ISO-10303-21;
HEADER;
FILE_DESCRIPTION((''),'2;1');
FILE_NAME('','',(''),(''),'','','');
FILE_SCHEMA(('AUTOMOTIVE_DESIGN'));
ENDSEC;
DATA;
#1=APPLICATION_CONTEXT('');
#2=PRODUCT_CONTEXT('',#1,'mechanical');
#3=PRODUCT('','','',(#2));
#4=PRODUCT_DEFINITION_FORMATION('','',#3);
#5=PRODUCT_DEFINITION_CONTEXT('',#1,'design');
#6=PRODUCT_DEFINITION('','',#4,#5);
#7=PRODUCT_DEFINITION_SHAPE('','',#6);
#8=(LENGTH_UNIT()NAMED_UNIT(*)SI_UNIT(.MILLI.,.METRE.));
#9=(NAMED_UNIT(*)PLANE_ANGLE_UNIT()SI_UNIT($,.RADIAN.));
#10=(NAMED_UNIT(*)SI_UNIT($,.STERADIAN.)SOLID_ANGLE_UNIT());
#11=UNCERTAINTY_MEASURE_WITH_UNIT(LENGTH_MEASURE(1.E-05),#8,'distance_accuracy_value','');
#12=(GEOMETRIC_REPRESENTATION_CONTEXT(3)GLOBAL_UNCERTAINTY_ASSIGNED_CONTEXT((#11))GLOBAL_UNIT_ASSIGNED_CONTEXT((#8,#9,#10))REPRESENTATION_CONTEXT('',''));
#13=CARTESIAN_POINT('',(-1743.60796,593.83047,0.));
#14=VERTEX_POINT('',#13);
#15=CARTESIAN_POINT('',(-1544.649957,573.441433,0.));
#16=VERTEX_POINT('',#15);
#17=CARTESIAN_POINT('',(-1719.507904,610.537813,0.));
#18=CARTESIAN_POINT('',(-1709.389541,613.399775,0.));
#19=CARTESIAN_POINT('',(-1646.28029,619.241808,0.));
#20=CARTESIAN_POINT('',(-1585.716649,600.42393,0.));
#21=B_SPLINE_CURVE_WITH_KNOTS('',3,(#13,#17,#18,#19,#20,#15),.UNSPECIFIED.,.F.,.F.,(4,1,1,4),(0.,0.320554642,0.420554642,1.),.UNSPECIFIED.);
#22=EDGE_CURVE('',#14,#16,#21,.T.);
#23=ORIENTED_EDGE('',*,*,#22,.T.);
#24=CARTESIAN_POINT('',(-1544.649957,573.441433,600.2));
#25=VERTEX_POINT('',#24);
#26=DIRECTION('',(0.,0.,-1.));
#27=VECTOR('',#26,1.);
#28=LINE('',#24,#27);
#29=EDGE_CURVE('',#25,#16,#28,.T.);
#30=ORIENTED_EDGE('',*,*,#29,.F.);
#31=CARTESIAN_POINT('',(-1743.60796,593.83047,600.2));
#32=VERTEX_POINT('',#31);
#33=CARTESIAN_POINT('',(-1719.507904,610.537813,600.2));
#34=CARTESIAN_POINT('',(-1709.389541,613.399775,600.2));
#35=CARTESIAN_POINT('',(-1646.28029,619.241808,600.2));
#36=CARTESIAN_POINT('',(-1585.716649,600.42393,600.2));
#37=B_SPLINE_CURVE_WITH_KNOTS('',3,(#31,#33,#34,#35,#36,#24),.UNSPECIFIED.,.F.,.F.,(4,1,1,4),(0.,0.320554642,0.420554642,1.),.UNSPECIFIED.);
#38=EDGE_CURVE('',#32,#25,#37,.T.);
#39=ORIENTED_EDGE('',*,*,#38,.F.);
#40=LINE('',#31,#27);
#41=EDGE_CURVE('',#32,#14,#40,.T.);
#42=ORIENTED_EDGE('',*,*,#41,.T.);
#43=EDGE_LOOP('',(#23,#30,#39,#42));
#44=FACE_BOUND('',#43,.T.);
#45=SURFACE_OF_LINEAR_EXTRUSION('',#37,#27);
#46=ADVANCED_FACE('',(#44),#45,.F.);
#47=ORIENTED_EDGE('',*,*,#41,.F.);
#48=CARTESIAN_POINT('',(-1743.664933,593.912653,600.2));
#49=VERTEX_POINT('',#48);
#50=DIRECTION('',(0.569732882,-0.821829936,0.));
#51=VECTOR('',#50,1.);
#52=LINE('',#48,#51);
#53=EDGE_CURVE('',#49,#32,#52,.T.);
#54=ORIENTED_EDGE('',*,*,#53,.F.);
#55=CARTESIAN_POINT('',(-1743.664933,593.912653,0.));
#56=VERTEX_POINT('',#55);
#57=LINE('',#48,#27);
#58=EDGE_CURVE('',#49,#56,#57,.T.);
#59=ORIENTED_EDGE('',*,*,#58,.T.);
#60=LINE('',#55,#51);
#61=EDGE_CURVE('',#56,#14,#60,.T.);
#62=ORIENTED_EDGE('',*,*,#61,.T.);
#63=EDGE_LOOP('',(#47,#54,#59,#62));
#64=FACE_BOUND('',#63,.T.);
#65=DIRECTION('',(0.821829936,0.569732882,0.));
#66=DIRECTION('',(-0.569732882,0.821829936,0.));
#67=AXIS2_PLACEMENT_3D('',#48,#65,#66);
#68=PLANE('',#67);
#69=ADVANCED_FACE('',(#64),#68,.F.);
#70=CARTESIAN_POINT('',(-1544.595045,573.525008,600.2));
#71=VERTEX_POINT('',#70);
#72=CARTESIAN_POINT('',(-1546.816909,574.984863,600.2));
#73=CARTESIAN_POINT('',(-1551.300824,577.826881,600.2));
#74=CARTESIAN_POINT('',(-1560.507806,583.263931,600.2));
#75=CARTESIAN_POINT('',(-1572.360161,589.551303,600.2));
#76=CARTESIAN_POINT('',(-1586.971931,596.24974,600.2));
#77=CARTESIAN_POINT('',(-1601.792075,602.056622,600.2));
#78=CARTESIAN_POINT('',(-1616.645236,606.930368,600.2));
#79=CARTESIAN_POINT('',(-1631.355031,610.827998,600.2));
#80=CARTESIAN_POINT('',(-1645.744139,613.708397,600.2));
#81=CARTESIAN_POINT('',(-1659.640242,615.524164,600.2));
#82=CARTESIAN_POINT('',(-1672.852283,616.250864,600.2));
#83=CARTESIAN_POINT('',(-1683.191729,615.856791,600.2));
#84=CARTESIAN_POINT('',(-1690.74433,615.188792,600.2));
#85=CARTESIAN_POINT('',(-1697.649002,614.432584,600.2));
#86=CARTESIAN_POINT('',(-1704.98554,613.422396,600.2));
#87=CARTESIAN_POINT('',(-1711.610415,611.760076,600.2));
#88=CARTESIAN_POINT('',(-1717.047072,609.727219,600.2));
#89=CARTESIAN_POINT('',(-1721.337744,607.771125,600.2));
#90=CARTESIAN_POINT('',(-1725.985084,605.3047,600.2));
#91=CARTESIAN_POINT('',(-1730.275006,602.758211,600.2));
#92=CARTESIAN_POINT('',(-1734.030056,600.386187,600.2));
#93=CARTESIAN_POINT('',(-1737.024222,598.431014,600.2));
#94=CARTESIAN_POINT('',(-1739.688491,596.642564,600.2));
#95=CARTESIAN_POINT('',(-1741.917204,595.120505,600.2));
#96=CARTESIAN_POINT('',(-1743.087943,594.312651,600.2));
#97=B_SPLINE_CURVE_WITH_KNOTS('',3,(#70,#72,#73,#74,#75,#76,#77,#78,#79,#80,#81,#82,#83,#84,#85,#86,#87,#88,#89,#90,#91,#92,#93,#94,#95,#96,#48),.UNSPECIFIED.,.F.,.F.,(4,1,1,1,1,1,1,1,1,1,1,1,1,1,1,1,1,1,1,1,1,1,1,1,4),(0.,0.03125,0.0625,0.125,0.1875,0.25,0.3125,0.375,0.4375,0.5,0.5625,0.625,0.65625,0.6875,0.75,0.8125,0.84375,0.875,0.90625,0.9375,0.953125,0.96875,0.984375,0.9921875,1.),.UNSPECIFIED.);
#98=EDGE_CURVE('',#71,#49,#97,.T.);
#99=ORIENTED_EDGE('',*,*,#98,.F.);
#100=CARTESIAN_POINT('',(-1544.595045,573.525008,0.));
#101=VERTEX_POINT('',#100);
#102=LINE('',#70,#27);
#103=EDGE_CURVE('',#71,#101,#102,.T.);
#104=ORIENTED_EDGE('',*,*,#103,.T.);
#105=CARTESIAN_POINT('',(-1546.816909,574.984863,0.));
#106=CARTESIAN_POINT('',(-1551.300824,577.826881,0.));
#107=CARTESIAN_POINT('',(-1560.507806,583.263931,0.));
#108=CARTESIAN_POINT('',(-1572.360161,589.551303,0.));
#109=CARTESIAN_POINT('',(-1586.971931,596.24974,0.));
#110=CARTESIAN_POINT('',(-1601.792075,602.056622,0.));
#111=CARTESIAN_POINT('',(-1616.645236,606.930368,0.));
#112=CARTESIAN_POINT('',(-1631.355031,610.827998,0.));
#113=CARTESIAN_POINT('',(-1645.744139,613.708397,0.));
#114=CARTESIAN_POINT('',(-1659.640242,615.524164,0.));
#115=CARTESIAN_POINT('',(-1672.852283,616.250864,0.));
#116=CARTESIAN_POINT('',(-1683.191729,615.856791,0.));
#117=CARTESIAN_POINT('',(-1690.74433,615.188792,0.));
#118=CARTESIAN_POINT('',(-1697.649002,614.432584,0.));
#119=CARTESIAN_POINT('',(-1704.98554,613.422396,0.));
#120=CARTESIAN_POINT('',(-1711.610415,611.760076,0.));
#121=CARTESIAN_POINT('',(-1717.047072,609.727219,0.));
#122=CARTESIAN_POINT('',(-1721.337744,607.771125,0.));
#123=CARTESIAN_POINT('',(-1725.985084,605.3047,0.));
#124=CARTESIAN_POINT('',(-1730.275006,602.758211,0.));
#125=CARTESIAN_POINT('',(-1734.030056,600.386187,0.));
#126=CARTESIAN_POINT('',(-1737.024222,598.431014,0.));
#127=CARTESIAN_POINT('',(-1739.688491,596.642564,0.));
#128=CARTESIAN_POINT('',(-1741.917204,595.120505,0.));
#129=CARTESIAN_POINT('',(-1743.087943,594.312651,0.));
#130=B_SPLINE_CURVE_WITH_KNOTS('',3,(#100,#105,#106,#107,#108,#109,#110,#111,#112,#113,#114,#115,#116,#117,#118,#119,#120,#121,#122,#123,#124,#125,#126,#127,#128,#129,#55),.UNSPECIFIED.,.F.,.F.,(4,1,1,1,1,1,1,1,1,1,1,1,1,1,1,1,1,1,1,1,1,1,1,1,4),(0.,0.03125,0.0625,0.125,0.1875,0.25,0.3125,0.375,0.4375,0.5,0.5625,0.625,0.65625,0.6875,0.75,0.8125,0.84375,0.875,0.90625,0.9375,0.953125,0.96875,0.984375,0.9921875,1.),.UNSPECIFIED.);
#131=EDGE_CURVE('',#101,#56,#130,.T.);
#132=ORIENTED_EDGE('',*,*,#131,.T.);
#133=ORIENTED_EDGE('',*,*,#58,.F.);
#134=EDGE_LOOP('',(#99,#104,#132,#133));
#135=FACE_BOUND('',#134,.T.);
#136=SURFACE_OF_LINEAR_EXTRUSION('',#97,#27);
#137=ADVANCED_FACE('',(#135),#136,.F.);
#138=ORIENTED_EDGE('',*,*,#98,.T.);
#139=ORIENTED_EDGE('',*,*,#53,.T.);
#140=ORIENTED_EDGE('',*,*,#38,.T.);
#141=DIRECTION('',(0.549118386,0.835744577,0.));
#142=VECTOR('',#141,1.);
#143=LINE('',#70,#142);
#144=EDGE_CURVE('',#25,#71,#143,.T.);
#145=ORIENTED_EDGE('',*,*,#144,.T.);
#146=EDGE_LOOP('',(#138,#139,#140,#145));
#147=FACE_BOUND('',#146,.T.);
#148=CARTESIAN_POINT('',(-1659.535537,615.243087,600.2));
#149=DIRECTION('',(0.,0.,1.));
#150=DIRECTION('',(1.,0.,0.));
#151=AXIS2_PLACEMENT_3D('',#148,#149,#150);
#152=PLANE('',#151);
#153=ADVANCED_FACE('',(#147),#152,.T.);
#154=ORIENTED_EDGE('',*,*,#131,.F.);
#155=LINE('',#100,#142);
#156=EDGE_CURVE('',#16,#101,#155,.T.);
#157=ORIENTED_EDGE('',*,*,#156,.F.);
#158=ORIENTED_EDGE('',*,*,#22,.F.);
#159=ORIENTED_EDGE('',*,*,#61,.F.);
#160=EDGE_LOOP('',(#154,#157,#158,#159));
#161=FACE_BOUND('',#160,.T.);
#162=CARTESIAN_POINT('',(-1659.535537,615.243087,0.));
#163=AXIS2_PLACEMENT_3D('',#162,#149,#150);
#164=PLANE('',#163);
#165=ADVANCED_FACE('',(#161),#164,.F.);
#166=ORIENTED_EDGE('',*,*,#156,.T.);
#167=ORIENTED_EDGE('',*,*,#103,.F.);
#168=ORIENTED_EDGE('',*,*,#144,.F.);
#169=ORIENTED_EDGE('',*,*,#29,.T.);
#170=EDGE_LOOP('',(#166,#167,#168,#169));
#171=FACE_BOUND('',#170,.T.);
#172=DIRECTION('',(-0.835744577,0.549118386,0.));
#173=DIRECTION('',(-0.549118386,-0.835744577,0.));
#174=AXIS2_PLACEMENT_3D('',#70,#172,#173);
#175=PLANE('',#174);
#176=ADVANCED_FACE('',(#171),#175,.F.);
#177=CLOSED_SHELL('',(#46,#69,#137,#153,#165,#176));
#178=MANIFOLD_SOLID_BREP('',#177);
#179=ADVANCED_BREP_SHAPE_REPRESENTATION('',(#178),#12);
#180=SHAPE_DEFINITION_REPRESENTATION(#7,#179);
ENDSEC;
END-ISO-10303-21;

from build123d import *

# Parameters (mm, degrees)
BOSS_EXTRUDE1_DEPTH = 600.2


with BuildPart() as part:
    # Sketch1 → Boss-Extrude1 (new body)
    with BuildSketch(Plane.XY):
        with BuildLine():
            Line((-1743.664933471, 593.912653171), (-1743.607960183, 593.830470178))
            add(Edge.make_bspline(
                [(-1743.607960183, 593.830470178), (-1719.507904213, 610.537812828), (-1709.389541143, 613.399774739), (-1646.280289738, 619.241808081), (-1585.716648888, 600.423930323), (-1544.649956659, 573.44143308)],
                knots=[0, 0, 0, 0, 0.320554642, 0.420554642, 1, 1, 1, 1], degree=3))
            Line((-1544.649956659, 573.44143308), (-1544.595044821, 573.525007538))
            add(Edge.make_bspline(
                [(-1743.664933471, 593.912653171), (-1743.087942797, 594.31265145), (-1741.917203527, 595.120504528), (-1739.688491007, 596.64256443), (-1737.024222336, 598.431013991), (-1734.030056424, 600.386186826), (-1730.275006147, 602.758210899), (-1725.985083603, 605.304700102), (-1721.337743682, 607.7711254), (-1717.047071616, 609.727218927), (-1711.610414501, 611.760075968), (-1704.985540448, 613.422395736), (-1697.649002338, 614.432584074), (-1690.74433015, 615.188792173), (-1683.191728778, 615.856790836), (-1672.852283198, 616.250864323), (-1659.640242154, 615.52416439), (-1645.744138719, 613.708396811), (-1631.355030831, 610.827998004), (-1616.64523619, 606.93036839), (-1601.792074518, 602.056621703), (-1586.97193086, 596.249740218), (-1572.360160797, 589.551302581), (-1560.507806279, 583.263931197), (-1551.300823517, 577.826880634), (-1546.816908994, 574.984863218), (-1544.595044821, 573.525007538)],
                knots=[0, 0, 0, 0, 0.0078125, 0.015625, 0.03125, 0.046875, 0.0625, 0.09375, 0.125, 0.15625, 0.1875, 0.25, 0.3125, 0.34375, 0.375, 0.4375, 0.5, 0.5625, 0.625, 0.6875, 0.75, 0.8125, 0.875, 0.9375, 0.96875, 1, 1, 1, 1], degree=3))
        make_face()
    extrude(amount=BOSS_EXTRUDE1_DEPTH)


solid = part.part
